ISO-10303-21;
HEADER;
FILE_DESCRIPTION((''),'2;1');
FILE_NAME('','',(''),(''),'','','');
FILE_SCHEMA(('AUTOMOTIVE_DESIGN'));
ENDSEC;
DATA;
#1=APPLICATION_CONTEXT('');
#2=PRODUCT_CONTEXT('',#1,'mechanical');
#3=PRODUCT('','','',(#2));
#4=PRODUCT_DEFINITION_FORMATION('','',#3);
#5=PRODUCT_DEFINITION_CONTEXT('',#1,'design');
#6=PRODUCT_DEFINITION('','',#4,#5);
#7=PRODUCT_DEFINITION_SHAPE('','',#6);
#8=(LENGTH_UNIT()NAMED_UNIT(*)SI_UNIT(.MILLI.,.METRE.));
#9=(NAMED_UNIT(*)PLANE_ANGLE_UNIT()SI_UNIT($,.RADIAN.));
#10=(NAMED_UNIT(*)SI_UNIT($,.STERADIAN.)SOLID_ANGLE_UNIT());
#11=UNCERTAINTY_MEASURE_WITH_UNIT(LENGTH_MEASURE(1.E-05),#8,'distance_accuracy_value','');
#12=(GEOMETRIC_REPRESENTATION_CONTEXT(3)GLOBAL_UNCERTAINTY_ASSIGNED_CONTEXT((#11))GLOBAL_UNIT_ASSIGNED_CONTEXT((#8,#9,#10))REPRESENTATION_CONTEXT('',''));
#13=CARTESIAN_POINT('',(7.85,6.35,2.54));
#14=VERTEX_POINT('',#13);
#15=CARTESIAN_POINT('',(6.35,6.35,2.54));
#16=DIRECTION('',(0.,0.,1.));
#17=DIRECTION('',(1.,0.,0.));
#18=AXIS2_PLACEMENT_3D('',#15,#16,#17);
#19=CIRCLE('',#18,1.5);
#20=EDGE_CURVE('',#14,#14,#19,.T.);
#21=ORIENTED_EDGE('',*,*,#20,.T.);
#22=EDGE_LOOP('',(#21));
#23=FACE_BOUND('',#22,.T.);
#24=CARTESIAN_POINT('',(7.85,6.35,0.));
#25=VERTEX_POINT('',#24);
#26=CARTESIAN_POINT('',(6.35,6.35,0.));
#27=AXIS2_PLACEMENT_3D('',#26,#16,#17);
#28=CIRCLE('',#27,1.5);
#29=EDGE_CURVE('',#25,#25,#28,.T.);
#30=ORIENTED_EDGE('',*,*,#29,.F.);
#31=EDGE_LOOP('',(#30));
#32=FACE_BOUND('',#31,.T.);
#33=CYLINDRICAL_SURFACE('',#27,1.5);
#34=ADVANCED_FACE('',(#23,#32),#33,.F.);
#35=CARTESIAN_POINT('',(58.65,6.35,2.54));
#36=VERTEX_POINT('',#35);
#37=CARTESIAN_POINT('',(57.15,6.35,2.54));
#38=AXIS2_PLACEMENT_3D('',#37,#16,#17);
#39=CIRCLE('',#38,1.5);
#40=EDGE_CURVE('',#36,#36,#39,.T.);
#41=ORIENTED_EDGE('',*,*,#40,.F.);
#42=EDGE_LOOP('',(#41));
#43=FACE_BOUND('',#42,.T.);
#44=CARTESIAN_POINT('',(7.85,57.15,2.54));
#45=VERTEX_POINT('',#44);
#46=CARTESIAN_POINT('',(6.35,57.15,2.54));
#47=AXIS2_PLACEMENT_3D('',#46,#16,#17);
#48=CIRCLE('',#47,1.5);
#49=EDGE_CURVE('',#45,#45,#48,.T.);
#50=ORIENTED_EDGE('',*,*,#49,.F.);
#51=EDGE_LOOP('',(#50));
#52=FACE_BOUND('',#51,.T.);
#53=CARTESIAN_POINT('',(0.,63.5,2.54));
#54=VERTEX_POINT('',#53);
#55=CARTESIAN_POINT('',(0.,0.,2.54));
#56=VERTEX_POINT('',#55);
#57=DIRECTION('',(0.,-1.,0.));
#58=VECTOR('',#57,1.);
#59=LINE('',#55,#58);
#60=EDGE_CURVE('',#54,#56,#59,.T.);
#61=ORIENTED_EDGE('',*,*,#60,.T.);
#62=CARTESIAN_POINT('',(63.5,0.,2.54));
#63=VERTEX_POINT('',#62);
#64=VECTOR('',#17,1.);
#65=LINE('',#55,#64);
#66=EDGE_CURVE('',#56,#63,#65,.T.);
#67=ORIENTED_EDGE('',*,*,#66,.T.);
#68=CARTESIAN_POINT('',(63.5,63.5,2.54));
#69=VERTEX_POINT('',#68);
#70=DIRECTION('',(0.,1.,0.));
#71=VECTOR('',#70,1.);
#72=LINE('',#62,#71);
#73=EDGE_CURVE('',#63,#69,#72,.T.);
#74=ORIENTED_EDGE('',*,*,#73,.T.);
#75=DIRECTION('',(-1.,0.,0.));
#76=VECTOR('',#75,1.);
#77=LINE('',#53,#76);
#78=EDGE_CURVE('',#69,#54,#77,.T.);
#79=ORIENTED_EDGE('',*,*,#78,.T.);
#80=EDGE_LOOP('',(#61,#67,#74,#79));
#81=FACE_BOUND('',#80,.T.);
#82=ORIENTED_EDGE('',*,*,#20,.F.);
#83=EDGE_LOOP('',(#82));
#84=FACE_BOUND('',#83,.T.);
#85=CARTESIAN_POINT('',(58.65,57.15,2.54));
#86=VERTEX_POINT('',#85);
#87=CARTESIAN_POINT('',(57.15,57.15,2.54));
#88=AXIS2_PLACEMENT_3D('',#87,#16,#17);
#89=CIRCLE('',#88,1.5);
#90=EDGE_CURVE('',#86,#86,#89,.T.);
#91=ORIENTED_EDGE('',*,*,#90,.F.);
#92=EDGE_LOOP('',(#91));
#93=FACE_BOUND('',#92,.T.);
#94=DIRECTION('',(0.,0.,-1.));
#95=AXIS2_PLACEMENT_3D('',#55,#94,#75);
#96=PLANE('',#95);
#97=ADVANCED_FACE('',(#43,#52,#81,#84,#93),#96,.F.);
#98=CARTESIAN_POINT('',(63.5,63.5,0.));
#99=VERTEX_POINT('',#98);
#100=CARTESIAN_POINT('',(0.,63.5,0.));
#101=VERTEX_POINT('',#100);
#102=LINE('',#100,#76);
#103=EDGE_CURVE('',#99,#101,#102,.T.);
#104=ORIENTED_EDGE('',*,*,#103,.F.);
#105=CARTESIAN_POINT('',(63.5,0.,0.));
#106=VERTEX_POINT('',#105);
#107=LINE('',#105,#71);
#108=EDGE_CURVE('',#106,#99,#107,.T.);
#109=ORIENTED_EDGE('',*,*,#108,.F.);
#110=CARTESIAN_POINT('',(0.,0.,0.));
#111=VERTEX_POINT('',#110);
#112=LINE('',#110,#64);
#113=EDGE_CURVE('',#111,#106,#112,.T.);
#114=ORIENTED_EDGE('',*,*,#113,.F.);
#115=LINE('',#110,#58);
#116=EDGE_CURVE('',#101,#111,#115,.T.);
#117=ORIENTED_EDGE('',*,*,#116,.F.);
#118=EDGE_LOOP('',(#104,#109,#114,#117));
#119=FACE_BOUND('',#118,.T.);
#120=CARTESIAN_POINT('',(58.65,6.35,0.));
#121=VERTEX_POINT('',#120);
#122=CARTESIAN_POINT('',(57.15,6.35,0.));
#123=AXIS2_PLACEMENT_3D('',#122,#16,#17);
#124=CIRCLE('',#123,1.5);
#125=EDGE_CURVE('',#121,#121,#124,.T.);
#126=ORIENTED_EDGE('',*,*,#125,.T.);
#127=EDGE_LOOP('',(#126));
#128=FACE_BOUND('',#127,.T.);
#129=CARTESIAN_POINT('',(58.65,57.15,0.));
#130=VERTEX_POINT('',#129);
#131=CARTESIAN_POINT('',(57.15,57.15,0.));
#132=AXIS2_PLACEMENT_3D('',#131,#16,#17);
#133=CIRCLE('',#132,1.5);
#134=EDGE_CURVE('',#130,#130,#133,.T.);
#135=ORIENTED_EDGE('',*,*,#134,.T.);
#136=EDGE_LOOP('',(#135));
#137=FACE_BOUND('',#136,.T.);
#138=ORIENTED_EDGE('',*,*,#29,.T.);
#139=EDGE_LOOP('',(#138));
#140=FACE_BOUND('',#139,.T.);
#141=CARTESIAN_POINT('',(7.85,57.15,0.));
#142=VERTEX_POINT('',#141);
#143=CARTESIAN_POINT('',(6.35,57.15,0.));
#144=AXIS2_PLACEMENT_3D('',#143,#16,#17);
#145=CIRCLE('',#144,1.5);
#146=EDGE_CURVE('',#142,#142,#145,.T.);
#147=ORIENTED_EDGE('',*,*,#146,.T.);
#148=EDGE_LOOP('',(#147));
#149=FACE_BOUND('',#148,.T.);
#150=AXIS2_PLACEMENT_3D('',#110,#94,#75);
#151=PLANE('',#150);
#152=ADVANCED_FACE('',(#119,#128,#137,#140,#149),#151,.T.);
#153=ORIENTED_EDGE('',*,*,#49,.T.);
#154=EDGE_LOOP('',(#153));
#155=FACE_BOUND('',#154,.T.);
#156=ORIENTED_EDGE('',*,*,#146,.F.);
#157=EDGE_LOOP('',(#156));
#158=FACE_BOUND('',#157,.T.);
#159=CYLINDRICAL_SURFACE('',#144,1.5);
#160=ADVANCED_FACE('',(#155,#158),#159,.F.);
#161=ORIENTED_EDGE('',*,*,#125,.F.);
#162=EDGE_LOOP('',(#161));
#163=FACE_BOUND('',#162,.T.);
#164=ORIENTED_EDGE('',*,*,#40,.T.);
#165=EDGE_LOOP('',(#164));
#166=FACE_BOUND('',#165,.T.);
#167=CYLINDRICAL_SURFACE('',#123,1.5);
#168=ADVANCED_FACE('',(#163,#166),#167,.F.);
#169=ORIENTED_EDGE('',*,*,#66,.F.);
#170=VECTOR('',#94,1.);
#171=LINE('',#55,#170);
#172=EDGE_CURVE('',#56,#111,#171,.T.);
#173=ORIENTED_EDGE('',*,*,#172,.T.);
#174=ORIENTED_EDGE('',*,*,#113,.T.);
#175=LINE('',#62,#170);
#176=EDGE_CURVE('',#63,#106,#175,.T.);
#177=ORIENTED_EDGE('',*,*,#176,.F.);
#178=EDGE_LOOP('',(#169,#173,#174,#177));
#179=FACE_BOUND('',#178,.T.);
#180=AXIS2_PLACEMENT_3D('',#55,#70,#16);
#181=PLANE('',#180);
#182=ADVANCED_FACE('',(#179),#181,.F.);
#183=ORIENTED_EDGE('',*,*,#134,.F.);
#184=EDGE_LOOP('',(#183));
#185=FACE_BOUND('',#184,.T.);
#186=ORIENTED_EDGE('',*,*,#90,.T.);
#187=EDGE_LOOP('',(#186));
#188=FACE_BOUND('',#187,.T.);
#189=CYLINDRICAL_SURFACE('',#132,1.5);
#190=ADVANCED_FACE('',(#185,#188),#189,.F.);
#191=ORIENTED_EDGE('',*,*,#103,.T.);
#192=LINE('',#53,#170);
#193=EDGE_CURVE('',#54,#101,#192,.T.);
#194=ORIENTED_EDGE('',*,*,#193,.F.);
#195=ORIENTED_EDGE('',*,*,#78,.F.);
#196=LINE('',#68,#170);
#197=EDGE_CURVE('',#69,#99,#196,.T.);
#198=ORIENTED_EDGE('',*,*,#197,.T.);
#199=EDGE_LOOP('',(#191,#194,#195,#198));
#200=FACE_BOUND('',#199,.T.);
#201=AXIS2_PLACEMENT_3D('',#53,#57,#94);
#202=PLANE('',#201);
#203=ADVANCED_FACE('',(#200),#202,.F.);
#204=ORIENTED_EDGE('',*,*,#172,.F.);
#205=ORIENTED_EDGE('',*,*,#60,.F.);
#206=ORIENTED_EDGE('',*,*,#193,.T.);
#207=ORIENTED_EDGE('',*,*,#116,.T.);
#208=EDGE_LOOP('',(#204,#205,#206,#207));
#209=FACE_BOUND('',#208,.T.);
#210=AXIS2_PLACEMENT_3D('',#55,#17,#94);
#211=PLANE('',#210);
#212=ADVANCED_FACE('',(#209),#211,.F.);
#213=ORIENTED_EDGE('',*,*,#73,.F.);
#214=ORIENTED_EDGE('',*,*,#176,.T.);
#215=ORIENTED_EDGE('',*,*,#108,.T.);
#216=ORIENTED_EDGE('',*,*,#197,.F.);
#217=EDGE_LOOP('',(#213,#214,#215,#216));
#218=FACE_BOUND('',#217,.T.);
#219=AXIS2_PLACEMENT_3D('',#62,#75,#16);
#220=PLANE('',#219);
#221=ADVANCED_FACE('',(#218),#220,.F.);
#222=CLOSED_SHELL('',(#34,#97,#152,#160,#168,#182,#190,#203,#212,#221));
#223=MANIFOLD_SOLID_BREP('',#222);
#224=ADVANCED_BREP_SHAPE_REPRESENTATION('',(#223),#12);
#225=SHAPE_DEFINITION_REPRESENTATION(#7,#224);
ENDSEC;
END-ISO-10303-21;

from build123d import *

# Parameters (mm, degrees)
SKETCH1_W            = 63.5
SKETCH1_H            = 63.5
BOSS_EXTRUDE1_DEPTH  = 2.54
SKETCH2_R            = 1.5
CUT_EXTRUDE1_DEPTH   = 2.54
LPATTERN1_COUNT      = 2
LPATTERN1_PITCH      = 50.8
LPATTERN1_COUNT_DIR2 = 2
LPATTERN1_PITCH_DIR2 = 50.8


with BuildPart() as part:
    # Sketch1 → Boss-Extrude1 (new body)
    with BuildSketch(Plane.XY):
        with Locations((31.75, 31.75)):
            Rectangle(SKETCH1_W, SKETCH1_H)
    extrude(amount=BOSS_EXTRUDE1_DEPTH)

    # Sketch2 → Cut-Extrude1 (cut)
    with BuildSketch(Plane.XY.offset(2.54)):
        with Locations((6.35, 57.15)):
            Circle(SKETCH2_R)
    cut_extrude1 = extrude(amount=-CUT_EXTRUDE1_DEPTH, mode=Mode.SUBTRACT)

    # LPattern1: Cut-Extrude1 2 × 2
    with Locations(*[(i * LPATTERN1_PITCH, -j * LPATTERN1_PITCH_DIR2, 0) for i in range(LPATTERN1_COUNT) for j in range(LPATTERN1_COUNT_DIR2) if (i, j) != (0, 0)]):
        add(cut_extrude1, mode=Mode.SUBTRACT)


solid = part.part
